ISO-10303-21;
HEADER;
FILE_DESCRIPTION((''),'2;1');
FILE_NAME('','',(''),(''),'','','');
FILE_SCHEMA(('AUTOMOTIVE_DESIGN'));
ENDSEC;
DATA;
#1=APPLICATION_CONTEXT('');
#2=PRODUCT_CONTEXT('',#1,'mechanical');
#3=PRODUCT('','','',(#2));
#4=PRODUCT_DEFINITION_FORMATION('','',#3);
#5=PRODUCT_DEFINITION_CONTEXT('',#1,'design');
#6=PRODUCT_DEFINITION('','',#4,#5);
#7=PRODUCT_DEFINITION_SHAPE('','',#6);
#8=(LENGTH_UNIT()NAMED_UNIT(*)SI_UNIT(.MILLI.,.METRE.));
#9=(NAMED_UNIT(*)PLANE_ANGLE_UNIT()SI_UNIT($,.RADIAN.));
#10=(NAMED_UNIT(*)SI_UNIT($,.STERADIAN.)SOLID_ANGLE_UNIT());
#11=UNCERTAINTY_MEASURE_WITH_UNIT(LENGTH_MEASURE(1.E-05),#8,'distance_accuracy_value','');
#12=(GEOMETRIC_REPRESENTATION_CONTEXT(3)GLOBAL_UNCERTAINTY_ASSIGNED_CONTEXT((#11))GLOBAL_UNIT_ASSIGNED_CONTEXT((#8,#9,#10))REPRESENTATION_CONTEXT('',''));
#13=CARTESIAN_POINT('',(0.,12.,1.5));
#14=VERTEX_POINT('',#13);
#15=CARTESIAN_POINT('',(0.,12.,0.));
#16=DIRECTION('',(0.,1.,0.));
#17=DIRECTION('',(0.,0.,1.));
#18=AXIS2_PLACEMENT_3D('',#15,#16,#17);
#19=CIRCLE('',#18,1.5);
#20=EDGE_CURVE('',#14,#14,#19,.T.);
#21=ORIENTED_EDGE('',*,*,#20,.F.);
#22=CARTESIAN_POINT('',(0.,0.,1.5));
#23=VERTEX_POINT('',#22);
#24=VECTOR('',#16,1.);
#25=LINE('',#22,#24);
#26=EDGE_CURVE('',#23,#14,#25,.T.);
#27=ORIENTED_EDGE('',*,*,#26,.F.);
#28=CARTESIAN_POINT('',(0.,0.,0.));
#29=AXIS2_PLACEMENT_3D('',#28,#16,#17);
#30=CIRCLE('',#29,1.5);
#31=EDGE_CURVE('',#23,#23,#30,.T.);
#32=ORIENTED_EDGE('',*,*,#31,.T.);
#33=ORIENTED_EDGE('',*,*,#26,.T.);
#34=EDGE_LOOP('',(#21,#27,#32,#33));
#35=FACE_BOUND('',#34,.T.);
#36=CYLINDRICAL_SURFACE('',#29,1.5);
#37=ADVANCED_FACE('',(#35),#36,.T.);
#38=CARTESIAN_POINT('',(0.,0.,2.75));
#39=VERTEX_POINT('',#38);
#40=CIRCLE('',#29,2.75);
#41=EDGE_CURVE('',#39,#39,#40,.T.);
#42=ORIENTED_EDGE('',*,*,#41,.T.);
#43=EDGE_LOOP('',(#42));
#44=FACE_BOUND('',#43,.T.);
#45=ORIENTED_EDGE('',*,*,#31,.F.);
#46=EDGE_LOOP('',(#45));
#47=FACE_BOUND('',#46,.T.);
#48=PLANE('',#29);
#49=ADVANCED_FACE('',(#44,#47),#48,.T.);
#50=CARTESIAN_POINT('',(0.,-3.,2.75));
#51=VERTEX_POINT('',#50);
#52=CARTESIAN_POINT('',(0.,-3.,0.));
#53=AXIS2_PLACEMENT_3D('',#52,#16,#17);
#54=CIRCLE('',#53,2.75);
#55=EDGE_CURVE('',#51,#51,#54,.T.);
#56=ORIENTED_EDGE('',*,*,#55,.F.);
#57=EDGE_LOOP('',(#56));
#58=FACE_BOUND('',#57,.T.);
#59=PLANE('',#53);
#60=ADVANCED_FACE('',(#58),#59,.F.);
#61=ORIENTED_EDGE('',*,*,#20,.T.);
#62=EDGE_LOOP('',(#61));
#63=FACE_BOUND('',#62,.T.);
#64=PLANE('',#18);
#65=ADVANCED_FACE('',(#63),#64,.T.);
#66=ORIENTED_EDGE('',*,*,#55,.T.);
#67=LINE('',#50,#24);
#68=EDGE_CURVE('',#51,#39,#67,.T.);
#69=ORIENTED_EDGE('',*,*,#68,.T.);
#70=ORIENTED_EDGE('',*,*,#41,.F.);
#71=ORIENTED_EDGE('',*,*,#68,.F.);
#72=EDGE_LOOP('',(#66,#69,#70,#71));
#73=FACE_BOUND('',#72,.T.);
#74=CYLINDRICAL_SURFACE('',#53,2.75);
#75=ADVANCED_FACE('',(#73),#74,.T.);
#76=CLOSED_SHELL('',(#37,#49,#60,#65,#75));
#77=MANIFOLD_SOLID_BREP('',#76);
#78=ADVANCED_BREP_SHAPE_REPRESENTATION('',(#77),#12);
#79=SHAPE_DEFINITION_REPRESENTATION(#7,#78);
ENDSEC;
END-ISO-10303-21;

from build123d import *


with BuildPart() as part:
    # Sketch → Revolution (revolve)
    with BuildSketch(Plane.YZ):
        Polygon((-3, 0), (-3, 2.75), (0, 2.75), (0, 1.5), (12, 1.5), (12, 0), align=None)
    revolve(axis=Axis((0, 0, 0), (0, 1, 0)))


solid = part.part
